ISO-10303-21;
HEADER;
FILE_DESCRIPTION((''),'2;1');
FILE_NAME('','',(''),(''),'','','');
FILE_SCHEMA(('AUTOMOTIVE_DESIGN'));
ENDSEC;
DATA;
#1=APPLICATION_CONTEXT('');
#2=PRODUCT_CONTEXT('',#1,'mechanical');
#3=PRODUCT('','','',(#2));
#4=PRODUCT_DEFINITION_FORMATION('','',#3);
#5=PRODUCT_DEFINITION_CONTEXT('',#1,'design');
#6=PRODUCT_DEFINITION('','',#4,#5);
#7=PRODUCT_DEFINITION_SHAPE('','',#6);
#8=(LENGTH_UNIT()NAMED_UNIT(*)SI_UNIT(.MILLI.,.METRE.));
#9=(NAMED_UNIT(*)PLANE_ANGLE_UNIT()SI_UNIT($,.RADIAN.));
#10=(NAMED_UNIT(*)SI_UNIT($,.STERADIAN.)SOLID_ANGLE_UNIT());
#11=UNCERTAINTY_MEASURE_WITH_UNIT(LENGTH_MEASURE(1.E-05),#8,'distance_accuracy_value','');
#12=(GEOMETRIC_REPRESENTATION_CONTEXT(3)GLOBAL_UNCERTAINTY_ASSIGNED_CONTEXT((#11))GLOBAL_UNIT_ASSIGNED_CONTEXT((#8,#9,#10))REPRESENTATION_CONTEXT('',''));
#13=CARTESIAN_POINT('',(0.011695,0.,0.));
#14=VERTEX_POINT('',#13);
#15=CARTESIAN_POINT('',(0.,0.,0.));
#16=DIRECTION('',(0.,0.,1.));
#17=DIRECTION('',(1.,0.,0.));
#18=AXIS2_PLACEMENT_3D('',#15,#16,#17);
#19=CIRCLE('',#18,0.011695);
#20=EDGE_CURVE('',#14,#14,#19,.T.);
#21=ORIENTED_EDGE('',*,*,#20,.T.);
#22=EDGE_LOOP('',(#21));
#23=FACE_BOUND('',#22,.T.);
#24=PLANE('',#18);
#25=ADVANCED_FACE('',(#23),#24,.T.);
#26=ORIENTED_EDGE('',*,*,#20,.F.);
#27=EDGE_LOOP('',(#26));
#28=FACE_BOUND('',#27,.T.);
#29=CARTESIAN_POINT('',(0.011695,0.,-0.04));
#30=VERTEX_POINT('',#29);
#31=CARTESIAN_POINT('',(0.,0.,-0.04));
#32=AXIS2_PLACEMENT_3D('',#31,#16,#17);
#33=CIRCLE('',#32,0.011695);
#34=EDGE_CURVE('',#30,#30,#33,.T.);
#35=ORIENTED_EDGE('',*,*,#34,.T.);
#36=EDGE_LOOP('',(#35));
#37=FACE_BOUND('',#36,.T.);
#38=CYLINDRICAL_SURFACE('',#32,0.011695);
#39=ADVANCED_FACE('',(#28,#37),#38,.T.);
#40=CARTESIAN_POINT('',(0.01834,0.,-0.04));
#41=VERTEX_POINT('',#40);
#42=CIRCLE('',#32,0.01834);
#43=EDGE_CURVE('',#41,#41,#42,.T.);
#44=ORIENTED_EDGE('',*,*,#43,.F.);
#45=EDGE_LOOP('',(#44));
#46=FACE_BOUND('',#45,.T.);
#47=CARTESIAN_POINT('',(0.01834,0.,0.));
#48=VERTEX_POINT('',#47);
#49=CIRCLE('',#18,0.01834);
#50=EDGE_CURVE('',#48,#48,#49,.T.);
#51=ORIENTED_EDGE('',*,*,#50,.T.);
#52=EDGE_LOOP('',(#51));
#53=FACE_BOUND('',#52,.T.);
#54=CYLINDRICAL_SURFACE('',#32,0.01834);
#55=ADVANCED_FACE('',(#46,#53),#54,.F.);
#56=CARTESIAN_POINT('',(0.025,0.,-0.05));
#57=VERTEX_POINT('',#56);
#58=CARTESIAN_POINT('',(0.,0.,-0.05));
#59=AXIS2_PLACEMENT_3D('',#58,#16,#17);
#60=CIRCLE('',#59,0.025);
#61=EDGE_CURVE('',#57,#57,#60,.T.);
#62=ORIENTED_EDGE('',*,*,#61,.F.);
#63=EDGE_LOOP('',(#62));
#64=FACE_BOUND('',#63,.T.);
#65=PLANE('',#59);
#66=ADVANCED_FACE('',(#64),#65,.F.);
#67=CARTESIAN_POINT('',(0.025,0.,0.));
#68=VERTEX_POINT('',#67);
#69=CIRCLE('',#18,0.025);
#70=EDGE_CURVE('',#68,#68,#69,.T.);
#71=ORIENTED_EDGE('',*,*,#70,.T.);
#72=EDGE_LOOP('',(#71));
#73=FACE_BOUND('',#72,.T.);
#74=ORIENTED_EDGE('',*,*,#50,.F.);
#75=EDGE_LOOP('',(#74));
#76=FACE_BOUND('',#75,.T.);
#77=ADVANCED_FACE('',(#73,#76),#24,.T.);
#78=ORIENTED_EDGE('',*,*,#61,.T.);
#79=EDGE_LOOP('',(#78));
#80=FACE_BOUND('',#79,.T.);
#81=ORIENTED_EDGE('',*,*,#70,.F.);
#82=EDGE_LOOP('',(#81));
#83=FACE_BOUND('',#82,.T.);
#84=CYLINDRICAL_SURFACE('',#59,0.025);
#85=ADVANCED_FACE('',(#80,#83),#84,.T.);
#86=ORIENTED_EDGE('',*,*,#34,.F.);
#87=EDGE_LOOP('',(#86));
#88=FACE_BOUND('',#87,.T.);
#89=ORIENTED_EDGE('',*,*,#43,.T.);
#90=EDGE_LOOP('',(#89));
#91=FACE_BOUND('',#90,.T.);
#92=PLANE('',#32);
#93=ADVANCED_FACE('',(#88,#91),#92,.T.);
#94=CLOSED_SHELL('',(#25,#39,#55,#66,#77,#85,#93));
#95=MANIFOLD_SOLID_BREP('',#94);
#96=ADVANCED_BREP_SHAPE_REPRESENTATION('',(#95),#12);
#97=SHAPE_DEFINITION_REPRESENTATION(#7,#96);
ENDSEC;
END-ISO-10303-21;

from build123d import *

# Parameters (mm, degrees)
SKETCH1_R      = 0.025
EXTRUDE1_DEPTH = 0.05
SKETCH2_R      = 0.018340358
SKETCH2_R_2    = 0.011695172
EXTRUDE2_DEPTH = 0.04


with BuildPart() as part:
    # Sketch1 → Extrude1 (new body)
    with BuildSketch(Plane.XY):
        Circle(SKETCH1_R)
    extrude(amount=-EXTRUDE1_DEPTH)

    # Sketch2 → Extrude2 (cut)
    with BuildSketch(Plane.XY):
        Circle(SKETCH2_R)
        Circle(SKETCH2_R_2, mode=Mode.SUBTRACT)
    extrude(amount=-EXTRUDE2_DEPTH, mode=Mode.SUBTRACT)


solid = part.part
